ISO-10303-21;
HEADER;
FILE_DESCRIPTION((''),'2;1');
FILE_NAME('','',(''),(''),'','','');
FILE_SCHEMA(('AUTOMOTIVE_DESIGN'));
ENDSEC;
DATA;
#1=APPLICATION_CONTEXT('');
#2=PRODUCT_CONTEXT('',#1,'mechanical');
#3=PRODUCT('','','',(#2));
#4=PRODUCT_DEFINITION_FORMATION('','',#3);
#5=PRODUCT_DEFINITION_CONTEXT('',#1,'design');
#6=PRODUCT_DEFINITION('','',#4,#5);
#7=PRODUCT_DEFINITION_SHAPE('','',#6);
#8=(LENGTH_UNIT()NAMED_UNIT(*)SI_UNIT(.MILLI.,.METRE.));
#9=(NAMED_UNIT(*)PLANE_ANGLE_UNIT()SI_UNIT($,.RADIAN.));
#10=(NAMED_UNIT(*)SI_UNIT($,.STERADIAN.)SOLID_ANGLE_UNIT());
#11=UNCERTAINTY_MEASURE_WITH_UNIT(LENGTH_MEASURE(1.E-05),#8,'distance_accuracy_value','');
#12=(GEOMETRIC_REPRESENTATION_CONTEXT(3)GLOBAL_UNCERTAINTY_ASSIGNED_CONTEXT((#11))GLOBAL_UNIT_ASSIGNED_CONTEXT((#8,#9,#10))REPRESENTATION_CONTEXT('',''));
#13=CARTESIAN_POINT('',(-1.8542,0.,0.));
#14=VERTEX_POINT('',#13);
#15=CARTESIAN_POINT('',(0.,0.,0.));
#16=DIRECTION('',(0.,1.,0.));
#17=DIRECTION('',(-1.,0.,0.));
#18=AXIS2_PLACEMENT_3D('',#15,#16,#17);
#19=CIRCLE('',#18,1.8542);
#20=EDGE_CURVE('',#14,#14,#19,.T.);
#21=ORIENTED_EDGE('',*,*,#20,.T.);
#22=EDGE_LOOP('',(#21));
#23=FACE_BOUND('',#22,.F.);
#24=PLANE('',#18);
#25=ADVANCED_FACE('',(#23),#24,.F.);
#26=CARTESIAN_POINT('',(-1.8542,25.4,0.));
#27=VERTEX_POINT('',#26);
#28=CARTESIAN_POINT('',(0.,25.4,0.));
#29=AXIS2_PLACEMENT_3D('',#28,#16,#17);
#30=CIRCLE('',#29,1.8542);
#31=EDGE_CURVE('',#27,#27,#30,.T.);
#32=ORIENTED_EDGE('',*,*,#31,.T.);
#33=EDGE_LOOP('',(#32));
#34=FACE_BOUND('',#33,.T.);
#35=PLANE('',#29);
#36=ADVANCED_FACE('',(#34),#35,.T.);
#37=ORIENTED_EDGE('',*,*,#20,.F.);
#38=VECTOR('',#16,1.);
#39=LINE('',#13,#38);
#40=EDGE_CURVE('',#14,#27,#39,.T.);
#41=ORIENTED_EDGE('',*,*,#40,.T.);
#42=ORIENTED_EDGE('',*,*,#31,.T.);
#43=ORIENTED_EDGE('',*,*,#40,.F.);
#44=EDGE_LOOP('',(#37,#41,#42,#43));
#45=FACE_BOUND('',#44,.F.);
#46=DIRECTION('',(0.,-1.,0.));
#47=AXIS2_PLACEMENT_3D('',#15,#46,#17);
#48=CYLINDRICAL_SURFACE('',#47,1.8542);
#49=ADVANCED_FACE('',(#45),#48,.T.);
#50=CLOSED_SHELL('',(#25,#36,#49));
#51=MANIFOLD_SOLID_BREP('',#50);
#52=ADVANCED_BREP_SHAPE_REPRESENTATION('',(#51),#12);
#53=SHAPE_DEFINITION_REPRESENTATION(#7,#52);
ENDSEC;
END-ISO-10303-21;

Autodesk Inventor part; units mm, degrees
ref_plane "YZ Plane" through (0, 0, 0) normal (1, 0, 0) x (0, 1, 0)
ref_plane "XZ Plane" through (0, 0, 0) normal (0, 1, 0) x (-1, 0, 0)
ref_plane "XY Plane" through (0, 0, 0) normal (0, 0, 1) x (1, 0, 0)
sketch "Sketch1" plane through (0, 0, 0) normal (0, 1, 0) x (-1, 0, 0)
  circle A0 centre (0, 0) radius 1.8542
  dimension "d0" = 3.7084
extrude "Extrusion1" add sketch "Sketch1" along normal blind 25.4
